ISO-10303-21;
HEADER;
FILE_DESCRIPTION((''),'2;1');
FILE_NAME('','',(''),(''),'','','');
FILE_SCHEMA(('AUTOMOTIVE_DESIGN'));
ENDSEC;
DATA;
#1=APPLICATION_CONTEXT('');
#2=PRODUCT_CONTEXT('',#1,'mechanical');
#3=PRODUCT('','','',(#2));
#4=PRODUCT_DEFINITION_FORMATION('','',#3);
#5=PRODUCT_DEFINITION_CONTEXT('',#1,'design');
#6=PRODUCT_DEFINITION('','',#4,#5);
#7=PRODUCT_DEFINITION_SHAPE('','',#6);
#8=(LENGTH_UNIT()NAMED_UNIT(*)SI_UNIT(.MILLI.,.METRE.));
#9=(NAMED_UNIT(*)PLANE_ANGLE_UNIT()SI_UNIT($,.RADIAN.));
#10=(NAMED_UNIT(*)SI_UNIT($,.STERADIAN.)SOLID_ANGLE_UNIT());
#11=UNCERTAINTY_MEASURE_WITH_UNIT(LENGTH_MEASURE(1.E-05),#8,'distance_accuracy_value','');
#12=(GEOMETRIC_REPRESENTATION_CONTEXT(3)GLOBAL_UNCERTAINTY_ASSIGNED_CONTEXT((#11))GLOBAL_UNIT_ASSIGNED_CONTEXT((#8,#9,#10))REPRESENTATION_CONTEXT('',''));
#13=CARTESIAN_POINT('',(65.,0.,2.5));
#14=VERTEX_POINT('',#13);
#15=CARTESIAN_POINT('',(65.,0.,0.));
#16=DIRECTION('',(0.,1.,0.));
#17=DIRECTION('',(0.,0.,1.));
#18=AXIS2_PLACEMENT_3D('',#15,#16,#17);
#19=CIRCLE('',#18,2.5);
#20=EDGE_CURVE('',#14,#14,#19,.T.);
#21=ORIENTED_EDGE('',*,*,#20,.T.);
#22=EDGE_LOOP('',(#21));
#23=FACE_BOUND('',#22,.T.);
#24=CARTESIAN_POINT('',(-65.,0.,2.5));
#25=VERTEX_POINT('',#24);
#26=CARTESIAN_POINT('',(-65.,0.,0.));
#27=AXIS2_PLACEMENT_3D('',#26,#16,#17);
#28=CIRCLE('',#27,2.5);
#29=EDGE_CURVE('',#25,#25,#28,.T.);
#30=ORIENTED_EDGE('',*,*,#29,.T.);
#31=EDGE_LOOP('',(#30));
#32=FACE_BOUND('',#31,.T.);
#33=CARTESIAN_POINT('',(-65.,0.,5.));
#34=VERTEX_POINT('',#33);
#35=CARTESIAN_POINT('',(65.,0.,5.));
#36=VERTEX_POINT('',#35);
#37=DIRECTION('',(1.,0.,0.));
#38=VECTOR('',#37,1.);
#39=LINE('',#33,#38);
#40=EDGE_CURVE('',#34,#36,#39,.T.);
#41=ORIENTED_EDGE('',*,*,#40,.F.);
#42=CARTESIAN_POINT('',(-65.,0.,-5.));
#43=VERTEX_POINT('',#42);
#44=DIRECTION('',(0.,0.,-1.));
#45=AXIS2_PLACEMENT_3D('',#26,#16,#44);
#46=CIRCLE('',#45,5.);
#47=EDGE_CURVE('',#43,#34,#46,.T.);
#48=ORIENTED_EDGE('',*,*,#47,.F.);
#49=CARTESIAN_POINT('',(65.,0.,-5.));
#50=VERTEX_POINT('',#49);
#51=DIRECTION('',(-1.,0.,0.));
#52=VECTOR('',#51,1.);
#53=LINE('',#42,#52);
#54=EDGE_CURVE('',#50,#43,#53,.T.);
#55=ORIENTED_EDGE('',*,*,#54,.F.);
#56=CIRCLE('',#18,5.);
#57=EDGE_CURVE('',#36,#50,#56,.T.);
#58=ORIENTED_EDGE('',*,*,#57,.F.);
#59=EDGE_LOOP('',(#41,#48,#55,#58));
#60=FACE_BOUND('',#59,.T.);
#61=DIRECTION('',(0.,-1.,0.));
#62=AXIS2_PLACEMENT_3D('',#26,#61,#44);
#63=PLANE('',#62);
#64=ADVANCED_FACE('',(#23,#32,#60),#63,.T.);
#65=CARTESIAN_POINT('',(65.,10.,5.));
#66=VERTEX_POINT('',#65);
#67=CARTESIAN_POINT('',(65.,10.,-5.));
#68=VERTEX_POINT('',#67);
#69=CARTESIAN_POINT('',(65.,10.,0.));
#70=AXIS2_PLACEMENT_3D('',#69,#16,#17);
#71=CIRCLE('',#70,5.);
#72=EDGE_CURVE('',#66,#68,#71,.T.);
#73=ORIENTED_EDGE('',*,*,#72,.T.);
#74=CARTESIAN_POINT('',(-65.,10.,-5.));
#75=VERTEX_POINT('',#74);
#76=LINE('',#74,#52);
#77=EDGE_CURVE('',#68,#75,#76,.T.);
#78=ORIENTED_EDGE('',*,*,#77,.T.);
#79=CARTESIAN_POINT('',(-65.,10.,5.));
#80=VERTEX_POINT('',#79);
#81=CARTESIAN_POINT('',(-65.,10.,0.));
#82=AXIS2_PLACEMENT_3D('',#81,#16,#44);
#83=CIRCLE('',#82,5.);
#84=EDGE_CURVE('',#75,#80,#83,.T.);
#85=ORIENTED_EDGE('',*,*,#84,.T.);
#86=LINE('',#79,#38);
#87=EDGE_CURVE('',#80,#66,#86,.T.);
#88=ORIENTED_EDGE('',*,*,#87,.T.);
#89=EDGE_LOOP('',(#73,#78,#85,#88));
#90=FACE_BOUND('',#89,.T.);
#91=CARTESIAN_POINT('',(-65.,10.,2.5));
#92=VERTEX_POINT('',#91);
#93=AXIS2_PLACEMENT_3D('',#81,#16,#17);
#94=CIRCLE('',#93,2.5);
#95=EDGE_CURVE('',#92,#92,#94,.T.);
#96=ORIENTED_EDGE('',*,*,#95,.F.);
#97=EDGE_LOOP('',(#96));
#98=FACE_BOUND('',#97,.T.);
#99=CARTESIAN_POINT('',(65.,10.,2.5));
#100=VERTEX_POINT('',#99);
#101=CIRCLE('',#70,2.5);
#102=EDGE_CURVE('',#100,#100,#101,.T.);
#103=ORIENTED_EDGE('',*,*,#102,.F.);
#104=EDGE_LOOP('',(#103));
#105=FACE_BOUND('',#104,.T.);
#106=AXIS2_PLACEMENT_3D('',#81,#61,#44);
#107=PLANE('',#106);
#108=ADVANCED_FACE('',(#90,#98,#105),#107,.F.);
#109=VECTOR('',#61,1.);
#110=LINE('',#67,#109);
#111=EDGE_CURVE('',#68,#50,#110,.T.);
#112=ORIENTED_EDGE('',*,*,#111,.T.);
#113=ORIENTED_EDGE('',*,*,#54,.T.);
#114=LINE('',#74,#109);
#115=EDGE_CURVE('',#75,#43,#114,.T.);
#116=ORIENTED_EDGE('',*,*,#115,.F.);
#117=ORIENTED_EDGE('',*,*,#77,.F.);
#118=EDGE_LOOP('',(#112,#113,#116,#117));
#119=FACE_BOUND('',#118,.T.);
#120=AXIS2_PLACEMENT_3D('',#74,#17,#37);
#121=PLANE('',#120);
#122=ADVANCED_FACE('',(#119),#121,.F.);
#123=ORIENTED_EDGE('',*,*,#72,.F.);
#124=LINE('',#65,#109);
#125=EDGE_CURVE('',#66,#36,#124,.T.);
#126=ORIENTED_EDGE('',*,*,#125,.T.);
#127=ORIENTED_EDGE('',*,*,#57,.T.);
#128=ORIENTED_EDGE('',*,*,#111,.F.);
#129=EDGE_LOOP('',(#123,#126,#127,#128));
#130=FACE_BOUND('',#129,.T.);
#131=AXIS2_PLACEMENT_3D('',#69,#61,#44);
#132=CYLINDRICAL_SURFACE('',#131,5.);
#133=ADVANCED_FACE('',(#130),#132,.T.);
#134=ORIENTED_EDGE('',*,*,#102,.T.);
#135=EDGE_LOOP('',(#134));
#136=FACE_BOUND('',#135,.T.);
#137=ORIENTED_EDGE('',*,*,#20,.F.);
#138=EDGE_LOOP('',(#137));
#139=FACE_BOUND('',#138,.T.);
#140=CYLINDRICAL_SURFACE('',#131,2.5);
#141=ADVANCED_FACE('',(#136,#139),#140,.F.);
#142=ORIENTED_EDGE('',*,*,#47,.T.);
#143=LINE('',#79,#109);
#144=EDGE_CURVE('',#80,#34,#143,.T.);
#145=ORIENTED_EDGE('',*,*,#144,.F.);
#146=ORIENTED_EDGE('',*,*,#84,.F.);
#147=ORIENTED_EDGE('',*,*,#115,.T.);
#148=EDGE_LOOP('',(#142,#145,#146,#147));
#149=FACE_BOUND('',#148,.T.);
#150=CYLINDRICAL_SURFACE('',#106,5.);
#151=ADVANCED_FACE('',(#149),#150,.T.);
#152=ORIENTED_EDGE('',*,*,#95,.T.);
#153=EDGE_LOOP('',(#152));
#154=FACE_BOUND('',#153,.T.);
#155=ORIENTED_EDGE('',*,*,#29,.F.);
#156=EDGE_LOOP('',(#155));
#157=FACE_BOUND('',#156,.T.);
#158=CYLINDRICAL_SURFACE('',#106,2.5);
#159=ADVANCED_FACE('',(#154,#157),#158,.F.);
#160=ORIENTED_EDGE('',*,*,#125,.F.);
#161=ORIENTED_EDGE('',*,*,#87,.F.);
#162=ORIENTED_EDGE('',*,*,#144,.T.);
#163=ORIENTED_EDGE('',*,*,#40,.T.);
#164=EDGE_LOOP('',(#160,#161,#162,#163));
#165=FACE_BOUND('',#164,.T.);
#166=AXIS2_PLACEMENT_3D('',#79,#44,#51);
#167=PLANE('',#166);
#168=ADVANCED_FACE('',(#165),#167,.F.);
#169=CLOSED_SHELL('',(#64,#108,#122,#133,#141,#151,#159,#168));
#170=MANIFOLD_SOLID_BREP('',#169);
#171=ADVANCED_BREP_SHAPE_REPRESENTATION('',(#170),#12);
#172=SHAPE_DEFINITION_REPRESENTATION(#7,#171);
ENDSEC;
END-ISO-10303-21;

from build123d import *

# Parameters (mm, degrees)
SKETCH2_R           = 2.5
BOSS_EXTRUDE2_DEPTH = 10


with BuildPart() as part:
    # Sketch2 → Boss-Extrude2 (new body)
    with BuildSketch(Plane(origin=(0, 0, 0), x_dir=(1, 0, 0), z_dir=(0, 1, 0))):
        with BuildLine():
            Line((-65, -5), (65, -5))
            ThreePointArc((65, -5), (70, 0), (65, 5))
            Line((65, 5), (-65, 5))
            ThreePointArc((-65, 5), (-70, 0), (-65, -5))
        make_face()
        with Locations((-65, 0)):
            Circle(SKETCH2_R, mode=Mode.SUBTRACT)
        with Locations((65, 0)):
            Circle(SKETCH2_R, mode=Mode.SUBTRACT)
    extrude(amount=BOSS_EXTRUDE2_DEPTH)


solid = part.part
